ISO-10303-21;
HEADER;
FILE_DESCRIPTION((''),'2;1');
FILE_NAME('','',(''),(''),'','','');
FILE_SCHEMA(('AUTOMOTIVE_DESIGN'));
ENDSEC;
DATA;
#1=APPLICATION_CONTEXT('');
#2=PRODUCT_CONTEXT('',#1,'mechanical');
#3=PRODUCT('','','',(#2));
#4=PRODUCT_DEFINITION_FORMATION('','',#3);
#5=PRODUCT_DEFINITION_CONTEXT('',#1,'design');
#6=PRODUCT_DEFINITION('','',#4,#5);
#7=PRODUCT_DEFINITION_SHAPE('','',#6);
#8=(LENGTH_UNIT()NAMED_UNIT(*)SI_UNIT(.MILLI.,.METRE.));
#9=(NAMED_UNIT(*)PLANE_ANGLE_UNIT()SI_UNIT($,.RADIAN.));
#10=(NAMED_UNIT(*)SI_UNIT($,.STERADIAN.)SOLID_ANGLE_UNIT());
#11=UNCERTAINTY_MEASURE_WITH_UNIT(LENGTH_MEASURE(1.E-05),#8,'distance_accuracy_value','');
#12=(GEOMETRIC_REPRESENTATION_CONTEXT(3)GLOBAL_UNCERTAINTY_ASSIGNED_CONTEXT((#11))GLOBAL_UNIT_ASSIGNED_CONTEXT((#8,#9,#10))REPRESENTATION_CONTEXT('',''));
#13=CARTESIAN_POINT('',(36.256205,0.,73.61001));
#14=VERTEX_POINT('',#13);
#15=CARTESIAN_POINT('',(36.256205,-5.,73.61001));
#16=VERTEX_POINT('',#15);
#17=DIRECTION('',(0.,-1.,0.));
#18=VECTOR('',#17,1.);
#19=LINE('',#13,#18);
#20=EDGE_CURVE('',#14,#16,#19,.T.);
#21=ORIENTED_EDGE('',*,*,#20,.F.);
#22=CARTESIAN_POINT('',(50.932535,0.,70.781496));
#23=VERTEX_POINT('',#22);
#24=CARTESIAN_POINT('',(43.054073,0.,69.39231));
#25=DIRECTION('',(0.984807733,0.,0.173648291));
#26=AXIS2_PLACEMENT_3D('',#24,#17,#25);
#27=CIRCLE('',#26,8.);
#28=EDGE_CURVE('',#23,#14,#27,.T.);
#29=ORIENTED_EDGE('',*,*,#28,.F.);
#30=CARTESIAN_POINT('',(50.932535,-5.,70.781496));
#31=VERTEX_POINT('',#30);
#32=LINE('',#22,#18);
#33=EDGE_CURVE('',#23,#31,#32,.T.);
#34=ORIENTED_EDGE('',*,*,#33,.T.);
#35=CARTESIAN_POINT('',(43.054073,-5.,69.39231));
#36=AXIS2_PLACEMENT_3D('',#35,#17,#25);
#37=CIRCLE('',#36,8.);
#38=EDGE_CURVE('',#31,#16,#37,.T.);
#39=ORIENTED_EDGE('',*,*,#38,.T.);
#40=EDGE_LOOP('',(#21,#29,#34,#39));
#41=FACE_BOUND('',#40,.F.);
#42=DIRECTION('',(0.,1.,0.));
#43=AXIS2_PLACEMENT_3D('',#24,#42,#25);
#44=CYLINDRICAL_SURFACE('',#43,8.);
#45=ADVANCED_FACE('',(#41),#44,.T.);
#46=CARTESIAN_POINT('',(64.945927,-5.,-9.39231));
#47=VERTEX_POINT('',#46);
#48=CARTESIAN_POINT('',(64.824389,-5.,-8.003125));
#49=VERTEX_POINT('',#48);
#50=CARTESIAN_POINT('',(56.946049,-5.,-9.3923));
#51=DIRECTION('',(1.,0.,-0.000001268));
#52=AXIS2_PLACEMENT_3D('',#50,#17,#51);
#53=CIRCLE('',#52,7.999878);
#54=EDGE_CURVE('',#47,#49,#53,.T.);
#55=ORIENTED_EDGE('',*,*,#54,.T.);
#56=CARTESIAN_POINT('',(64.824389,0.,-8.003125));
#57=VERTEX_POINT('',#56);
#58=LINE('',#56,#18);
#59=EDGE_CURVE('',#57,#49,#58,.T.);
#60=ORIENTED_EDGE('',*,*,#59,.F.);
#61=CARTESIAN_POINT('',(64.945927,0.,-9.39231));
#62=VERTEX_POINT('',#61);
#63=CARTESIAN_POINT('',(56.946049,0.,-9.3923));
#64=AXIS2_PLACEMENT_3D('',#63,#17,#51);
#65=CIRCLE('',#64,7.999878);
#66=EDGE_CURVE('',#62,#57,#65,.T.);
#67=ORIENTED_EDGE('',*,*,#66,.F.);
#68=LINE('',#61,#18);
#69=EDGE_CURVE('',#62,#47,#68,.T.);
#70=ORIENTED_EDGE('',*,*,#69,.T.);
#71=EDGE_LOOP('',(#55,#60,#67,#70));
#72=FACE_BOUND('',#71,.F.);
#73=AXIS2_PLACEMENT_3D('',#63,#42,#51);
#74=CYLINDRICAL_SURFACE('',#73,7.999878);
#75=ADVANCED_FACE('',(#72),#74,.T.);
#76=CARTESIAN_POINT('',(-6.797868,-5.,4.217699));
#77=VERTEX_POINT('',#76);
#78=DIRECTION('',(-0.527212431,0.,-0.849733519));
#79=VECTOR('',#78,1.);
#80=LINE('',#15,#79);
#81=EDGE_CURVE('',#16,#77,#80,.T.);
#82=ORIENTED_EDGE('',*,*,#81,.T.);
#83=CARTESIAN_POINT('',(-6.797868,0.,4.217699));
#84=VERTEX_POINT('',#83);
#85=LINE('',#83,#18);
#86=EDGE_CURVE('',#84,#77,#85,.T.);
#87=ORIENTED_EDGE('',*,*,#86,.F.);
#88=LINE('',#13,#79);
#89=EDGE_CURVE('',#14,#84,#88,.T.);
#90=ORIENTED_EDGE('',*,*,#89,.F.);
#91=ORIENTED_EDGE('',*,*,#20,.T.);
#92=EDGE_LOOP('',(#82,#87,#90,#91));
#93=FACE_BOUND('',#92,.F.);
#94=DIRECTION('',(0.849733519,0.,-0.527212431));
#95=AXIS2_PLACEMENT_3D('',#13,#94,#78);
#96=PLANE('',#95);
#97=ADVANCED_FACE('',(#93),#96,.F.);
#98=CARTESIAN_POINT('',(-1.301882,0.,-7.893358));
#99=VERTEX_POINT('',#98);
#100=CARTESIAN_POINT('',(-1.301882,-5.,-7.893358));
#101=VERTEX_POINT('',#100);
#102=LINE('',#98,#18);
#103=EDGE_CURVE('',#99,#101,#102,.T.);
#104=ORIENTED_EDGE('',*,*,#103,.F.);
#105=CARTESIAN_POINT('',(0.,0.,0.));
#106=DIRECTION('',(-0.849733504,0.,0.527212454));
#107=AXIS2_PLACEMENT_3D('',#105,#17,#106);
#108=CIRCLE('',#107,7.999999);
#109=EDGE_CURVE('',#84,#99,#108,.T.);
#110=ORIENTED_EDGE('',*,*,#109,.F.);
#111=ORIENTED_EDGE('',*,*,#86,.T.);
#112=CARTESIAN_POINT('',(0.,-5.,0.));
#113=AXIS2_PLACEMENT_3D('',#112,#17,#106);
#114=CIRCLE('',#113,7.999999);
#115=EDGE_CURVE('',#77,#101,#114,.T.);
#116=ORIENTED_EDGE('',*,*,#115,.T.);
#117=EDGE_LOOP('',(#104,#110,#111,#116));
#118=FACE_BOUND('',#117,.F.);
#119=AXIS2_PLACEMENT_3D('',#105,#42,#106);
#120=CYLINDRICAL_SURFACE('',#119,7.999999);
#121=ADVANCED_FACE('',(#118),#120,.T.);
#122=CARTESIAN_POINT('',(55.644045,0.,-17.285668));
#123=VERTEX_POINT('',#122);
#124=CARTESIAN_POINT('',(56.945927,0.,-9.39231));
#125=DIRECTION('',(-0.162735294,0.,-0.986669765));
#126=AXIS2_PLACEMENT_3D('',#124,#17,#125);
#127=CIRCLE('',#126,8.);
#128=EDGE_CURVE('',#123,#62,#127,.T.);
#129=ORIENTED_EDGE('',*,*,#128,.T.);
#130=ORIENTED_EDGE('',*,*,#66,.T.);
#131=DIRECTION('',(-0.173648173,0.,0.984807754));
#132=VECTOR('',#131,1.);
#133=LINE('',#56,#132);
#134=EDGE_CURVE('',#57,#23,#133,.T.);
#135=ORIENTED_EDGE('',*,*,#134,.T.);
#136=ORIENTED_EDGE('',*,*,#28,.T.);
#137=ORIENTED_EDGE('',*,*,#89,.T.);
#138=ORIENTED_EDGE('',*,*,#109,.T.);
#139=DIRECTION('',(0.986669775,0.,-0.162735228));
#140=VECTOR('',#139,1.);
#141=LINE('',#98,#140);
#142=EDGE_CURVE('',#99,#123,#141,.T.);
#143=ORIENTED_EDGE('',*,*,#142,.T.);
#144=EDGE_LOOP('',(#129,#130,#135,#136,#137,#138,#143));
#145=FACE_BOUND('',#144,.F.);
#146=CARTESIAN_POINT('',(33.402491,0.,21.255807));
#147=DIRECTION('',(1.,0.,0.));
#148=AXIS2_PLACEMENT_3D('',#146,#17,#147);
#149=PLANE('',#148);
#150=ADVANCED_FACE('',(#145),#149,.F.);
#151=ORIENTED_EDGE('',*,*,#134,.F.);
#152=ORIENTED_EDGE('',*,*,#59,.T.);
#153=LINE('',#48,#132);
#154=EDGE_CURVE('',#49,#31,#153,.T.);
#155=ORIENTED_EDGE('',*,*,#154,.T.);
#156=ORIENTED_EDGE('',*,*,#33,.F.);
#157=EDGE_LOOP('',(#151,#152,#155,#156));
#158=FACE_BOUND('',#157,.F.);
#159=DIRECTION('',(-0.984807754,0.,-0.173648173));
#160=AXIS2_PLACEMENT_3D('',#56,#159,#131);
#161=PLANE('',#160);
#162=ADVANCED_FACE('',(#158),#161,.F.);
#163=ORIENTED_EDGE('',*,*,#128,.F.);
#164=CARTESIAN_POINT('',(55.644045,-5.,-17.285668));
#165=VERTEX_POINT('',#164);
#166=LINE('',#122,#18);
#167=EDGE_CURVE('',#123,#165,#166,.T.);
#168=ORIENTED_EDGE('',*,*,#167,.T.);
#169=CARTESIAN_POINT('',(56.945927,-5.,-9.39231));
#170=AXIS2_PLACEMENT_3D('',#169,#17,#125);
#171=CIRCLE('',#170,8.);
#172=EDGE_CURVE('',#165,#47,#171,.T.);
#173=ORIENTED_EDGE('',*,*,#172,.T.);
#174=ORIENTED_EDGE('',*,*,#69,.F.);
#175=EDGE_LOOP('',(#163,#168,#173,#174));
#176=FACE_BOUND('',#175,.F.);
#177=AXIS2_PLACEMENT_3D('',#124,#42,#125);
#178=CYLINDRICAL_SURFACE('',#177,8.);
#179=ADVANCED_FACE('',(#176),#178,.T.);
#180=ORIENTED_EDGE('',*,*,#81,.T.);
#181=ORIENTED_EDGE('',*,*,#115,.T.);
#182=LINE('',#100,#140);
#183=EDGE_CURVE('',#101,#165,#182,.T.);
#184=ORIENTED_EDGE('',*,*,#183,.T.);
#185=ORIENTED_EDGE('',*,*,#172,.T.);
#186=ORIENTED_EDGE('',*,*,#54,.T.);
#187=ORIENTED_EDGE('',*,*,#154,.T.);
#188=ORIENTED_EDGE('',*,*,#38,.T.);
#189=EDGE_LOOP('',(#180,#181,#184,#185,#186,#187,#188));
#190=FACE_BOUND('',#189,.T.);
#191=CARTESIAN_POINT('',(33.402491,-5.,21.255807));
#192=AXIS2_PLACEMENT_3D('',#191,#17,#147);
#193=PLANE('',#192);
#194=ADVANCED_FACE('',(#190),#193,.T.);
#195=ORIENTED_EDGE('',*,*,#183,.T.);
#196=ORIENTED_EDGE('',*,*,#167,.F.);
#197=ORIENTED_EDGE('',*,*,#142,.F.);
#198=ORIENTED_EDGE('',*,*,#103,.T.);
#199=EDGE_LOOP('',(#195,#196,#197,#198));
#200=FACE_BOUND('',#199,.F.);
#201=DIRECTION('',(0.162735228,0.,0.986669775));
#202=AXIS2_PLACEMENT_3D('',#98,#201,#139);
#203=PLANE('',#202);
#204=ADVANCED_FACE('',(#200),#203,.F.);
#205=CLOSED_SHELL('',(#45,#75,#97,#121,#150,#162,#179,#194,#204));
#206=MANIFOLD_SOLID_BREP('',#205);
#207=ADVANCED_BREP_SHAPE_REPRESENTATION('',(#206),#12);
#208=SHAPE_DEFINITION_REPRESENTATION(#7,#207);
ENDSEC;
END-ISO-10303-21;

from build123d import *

# Parameters (mm, degrees)
F1_DEPTH = 5


with BuildPart() as f1:
    # F0 (on Front) → F1 (new body)
    with BuildSketch(Plane.XZ):
        with BuildLine():
            ThreePointArc((-6.797868, 4.217699), (2.192835, 7.693599), (8, 0))
            ThreePointArc((8, 0), (5.176145, -6.099797), (-1.301882, -7.893358))
            Line((-1.301882, -7.893358), (55.644045, -17.285668))
            ThreePointArc((55.644045, -17.285668), (51.257847, -3.766855), (64.824389, -8.003125))
            Line((64.824389, -8.003125), (50.932535, 70.781496))
            ThreePointArc((50.932535, 70.781496), (51.02363, 70.089556), (51.054073, 69.39231))
            ThreePointArc((51.054073, 69.39231), (40.861237, 61.698711), (36.256205, 73.61001))
            Line((36.256205, 73.61001), (-6.797868, 4.217699))
        make_face()
        with BuildLine():
            ThreePointArc((-1.301882, -7.893358), (5.176145, -6.099797), (8, 0))
            ThreePointArc((8, 0), (2.192835, 7.693599), (-6.797868, 4.217699))
            ThreePointArc((-6.797868, 4.217699), (-7.284979, -3.305916), (-1.301882, -7.893358))
        make_face()
        with BuildLine():
            ThreePointArc((64.824389, -8.003125), (51.257847, -3.766855), (55.644045, -17.285668))
            ThreePointArc((55.644045, -17.285668), (62.122072, -15.492107), (64.945927, -9.39231))
            ThreePointArc((64.945927, -9.39231), (64.915485, -8.695064), (64.824389, -8.003125))
        make_face()
        with BuildLine():
            ThreePointArc((50.932535, 70.781496), (44.568023, 77.247751), (36.256205, 73.61001))
            ThreePointArc((36.256205, 73.61001), (40.861237, 61.698711), (51.054073, 69.39231))
            ThreePointArc((51.054073, 69.39231), (51.02363, 70.089556), (50.932535, 70.781496))
        make_face()
    extrude(amount=F1_DEPTH)


solid = f1.part
